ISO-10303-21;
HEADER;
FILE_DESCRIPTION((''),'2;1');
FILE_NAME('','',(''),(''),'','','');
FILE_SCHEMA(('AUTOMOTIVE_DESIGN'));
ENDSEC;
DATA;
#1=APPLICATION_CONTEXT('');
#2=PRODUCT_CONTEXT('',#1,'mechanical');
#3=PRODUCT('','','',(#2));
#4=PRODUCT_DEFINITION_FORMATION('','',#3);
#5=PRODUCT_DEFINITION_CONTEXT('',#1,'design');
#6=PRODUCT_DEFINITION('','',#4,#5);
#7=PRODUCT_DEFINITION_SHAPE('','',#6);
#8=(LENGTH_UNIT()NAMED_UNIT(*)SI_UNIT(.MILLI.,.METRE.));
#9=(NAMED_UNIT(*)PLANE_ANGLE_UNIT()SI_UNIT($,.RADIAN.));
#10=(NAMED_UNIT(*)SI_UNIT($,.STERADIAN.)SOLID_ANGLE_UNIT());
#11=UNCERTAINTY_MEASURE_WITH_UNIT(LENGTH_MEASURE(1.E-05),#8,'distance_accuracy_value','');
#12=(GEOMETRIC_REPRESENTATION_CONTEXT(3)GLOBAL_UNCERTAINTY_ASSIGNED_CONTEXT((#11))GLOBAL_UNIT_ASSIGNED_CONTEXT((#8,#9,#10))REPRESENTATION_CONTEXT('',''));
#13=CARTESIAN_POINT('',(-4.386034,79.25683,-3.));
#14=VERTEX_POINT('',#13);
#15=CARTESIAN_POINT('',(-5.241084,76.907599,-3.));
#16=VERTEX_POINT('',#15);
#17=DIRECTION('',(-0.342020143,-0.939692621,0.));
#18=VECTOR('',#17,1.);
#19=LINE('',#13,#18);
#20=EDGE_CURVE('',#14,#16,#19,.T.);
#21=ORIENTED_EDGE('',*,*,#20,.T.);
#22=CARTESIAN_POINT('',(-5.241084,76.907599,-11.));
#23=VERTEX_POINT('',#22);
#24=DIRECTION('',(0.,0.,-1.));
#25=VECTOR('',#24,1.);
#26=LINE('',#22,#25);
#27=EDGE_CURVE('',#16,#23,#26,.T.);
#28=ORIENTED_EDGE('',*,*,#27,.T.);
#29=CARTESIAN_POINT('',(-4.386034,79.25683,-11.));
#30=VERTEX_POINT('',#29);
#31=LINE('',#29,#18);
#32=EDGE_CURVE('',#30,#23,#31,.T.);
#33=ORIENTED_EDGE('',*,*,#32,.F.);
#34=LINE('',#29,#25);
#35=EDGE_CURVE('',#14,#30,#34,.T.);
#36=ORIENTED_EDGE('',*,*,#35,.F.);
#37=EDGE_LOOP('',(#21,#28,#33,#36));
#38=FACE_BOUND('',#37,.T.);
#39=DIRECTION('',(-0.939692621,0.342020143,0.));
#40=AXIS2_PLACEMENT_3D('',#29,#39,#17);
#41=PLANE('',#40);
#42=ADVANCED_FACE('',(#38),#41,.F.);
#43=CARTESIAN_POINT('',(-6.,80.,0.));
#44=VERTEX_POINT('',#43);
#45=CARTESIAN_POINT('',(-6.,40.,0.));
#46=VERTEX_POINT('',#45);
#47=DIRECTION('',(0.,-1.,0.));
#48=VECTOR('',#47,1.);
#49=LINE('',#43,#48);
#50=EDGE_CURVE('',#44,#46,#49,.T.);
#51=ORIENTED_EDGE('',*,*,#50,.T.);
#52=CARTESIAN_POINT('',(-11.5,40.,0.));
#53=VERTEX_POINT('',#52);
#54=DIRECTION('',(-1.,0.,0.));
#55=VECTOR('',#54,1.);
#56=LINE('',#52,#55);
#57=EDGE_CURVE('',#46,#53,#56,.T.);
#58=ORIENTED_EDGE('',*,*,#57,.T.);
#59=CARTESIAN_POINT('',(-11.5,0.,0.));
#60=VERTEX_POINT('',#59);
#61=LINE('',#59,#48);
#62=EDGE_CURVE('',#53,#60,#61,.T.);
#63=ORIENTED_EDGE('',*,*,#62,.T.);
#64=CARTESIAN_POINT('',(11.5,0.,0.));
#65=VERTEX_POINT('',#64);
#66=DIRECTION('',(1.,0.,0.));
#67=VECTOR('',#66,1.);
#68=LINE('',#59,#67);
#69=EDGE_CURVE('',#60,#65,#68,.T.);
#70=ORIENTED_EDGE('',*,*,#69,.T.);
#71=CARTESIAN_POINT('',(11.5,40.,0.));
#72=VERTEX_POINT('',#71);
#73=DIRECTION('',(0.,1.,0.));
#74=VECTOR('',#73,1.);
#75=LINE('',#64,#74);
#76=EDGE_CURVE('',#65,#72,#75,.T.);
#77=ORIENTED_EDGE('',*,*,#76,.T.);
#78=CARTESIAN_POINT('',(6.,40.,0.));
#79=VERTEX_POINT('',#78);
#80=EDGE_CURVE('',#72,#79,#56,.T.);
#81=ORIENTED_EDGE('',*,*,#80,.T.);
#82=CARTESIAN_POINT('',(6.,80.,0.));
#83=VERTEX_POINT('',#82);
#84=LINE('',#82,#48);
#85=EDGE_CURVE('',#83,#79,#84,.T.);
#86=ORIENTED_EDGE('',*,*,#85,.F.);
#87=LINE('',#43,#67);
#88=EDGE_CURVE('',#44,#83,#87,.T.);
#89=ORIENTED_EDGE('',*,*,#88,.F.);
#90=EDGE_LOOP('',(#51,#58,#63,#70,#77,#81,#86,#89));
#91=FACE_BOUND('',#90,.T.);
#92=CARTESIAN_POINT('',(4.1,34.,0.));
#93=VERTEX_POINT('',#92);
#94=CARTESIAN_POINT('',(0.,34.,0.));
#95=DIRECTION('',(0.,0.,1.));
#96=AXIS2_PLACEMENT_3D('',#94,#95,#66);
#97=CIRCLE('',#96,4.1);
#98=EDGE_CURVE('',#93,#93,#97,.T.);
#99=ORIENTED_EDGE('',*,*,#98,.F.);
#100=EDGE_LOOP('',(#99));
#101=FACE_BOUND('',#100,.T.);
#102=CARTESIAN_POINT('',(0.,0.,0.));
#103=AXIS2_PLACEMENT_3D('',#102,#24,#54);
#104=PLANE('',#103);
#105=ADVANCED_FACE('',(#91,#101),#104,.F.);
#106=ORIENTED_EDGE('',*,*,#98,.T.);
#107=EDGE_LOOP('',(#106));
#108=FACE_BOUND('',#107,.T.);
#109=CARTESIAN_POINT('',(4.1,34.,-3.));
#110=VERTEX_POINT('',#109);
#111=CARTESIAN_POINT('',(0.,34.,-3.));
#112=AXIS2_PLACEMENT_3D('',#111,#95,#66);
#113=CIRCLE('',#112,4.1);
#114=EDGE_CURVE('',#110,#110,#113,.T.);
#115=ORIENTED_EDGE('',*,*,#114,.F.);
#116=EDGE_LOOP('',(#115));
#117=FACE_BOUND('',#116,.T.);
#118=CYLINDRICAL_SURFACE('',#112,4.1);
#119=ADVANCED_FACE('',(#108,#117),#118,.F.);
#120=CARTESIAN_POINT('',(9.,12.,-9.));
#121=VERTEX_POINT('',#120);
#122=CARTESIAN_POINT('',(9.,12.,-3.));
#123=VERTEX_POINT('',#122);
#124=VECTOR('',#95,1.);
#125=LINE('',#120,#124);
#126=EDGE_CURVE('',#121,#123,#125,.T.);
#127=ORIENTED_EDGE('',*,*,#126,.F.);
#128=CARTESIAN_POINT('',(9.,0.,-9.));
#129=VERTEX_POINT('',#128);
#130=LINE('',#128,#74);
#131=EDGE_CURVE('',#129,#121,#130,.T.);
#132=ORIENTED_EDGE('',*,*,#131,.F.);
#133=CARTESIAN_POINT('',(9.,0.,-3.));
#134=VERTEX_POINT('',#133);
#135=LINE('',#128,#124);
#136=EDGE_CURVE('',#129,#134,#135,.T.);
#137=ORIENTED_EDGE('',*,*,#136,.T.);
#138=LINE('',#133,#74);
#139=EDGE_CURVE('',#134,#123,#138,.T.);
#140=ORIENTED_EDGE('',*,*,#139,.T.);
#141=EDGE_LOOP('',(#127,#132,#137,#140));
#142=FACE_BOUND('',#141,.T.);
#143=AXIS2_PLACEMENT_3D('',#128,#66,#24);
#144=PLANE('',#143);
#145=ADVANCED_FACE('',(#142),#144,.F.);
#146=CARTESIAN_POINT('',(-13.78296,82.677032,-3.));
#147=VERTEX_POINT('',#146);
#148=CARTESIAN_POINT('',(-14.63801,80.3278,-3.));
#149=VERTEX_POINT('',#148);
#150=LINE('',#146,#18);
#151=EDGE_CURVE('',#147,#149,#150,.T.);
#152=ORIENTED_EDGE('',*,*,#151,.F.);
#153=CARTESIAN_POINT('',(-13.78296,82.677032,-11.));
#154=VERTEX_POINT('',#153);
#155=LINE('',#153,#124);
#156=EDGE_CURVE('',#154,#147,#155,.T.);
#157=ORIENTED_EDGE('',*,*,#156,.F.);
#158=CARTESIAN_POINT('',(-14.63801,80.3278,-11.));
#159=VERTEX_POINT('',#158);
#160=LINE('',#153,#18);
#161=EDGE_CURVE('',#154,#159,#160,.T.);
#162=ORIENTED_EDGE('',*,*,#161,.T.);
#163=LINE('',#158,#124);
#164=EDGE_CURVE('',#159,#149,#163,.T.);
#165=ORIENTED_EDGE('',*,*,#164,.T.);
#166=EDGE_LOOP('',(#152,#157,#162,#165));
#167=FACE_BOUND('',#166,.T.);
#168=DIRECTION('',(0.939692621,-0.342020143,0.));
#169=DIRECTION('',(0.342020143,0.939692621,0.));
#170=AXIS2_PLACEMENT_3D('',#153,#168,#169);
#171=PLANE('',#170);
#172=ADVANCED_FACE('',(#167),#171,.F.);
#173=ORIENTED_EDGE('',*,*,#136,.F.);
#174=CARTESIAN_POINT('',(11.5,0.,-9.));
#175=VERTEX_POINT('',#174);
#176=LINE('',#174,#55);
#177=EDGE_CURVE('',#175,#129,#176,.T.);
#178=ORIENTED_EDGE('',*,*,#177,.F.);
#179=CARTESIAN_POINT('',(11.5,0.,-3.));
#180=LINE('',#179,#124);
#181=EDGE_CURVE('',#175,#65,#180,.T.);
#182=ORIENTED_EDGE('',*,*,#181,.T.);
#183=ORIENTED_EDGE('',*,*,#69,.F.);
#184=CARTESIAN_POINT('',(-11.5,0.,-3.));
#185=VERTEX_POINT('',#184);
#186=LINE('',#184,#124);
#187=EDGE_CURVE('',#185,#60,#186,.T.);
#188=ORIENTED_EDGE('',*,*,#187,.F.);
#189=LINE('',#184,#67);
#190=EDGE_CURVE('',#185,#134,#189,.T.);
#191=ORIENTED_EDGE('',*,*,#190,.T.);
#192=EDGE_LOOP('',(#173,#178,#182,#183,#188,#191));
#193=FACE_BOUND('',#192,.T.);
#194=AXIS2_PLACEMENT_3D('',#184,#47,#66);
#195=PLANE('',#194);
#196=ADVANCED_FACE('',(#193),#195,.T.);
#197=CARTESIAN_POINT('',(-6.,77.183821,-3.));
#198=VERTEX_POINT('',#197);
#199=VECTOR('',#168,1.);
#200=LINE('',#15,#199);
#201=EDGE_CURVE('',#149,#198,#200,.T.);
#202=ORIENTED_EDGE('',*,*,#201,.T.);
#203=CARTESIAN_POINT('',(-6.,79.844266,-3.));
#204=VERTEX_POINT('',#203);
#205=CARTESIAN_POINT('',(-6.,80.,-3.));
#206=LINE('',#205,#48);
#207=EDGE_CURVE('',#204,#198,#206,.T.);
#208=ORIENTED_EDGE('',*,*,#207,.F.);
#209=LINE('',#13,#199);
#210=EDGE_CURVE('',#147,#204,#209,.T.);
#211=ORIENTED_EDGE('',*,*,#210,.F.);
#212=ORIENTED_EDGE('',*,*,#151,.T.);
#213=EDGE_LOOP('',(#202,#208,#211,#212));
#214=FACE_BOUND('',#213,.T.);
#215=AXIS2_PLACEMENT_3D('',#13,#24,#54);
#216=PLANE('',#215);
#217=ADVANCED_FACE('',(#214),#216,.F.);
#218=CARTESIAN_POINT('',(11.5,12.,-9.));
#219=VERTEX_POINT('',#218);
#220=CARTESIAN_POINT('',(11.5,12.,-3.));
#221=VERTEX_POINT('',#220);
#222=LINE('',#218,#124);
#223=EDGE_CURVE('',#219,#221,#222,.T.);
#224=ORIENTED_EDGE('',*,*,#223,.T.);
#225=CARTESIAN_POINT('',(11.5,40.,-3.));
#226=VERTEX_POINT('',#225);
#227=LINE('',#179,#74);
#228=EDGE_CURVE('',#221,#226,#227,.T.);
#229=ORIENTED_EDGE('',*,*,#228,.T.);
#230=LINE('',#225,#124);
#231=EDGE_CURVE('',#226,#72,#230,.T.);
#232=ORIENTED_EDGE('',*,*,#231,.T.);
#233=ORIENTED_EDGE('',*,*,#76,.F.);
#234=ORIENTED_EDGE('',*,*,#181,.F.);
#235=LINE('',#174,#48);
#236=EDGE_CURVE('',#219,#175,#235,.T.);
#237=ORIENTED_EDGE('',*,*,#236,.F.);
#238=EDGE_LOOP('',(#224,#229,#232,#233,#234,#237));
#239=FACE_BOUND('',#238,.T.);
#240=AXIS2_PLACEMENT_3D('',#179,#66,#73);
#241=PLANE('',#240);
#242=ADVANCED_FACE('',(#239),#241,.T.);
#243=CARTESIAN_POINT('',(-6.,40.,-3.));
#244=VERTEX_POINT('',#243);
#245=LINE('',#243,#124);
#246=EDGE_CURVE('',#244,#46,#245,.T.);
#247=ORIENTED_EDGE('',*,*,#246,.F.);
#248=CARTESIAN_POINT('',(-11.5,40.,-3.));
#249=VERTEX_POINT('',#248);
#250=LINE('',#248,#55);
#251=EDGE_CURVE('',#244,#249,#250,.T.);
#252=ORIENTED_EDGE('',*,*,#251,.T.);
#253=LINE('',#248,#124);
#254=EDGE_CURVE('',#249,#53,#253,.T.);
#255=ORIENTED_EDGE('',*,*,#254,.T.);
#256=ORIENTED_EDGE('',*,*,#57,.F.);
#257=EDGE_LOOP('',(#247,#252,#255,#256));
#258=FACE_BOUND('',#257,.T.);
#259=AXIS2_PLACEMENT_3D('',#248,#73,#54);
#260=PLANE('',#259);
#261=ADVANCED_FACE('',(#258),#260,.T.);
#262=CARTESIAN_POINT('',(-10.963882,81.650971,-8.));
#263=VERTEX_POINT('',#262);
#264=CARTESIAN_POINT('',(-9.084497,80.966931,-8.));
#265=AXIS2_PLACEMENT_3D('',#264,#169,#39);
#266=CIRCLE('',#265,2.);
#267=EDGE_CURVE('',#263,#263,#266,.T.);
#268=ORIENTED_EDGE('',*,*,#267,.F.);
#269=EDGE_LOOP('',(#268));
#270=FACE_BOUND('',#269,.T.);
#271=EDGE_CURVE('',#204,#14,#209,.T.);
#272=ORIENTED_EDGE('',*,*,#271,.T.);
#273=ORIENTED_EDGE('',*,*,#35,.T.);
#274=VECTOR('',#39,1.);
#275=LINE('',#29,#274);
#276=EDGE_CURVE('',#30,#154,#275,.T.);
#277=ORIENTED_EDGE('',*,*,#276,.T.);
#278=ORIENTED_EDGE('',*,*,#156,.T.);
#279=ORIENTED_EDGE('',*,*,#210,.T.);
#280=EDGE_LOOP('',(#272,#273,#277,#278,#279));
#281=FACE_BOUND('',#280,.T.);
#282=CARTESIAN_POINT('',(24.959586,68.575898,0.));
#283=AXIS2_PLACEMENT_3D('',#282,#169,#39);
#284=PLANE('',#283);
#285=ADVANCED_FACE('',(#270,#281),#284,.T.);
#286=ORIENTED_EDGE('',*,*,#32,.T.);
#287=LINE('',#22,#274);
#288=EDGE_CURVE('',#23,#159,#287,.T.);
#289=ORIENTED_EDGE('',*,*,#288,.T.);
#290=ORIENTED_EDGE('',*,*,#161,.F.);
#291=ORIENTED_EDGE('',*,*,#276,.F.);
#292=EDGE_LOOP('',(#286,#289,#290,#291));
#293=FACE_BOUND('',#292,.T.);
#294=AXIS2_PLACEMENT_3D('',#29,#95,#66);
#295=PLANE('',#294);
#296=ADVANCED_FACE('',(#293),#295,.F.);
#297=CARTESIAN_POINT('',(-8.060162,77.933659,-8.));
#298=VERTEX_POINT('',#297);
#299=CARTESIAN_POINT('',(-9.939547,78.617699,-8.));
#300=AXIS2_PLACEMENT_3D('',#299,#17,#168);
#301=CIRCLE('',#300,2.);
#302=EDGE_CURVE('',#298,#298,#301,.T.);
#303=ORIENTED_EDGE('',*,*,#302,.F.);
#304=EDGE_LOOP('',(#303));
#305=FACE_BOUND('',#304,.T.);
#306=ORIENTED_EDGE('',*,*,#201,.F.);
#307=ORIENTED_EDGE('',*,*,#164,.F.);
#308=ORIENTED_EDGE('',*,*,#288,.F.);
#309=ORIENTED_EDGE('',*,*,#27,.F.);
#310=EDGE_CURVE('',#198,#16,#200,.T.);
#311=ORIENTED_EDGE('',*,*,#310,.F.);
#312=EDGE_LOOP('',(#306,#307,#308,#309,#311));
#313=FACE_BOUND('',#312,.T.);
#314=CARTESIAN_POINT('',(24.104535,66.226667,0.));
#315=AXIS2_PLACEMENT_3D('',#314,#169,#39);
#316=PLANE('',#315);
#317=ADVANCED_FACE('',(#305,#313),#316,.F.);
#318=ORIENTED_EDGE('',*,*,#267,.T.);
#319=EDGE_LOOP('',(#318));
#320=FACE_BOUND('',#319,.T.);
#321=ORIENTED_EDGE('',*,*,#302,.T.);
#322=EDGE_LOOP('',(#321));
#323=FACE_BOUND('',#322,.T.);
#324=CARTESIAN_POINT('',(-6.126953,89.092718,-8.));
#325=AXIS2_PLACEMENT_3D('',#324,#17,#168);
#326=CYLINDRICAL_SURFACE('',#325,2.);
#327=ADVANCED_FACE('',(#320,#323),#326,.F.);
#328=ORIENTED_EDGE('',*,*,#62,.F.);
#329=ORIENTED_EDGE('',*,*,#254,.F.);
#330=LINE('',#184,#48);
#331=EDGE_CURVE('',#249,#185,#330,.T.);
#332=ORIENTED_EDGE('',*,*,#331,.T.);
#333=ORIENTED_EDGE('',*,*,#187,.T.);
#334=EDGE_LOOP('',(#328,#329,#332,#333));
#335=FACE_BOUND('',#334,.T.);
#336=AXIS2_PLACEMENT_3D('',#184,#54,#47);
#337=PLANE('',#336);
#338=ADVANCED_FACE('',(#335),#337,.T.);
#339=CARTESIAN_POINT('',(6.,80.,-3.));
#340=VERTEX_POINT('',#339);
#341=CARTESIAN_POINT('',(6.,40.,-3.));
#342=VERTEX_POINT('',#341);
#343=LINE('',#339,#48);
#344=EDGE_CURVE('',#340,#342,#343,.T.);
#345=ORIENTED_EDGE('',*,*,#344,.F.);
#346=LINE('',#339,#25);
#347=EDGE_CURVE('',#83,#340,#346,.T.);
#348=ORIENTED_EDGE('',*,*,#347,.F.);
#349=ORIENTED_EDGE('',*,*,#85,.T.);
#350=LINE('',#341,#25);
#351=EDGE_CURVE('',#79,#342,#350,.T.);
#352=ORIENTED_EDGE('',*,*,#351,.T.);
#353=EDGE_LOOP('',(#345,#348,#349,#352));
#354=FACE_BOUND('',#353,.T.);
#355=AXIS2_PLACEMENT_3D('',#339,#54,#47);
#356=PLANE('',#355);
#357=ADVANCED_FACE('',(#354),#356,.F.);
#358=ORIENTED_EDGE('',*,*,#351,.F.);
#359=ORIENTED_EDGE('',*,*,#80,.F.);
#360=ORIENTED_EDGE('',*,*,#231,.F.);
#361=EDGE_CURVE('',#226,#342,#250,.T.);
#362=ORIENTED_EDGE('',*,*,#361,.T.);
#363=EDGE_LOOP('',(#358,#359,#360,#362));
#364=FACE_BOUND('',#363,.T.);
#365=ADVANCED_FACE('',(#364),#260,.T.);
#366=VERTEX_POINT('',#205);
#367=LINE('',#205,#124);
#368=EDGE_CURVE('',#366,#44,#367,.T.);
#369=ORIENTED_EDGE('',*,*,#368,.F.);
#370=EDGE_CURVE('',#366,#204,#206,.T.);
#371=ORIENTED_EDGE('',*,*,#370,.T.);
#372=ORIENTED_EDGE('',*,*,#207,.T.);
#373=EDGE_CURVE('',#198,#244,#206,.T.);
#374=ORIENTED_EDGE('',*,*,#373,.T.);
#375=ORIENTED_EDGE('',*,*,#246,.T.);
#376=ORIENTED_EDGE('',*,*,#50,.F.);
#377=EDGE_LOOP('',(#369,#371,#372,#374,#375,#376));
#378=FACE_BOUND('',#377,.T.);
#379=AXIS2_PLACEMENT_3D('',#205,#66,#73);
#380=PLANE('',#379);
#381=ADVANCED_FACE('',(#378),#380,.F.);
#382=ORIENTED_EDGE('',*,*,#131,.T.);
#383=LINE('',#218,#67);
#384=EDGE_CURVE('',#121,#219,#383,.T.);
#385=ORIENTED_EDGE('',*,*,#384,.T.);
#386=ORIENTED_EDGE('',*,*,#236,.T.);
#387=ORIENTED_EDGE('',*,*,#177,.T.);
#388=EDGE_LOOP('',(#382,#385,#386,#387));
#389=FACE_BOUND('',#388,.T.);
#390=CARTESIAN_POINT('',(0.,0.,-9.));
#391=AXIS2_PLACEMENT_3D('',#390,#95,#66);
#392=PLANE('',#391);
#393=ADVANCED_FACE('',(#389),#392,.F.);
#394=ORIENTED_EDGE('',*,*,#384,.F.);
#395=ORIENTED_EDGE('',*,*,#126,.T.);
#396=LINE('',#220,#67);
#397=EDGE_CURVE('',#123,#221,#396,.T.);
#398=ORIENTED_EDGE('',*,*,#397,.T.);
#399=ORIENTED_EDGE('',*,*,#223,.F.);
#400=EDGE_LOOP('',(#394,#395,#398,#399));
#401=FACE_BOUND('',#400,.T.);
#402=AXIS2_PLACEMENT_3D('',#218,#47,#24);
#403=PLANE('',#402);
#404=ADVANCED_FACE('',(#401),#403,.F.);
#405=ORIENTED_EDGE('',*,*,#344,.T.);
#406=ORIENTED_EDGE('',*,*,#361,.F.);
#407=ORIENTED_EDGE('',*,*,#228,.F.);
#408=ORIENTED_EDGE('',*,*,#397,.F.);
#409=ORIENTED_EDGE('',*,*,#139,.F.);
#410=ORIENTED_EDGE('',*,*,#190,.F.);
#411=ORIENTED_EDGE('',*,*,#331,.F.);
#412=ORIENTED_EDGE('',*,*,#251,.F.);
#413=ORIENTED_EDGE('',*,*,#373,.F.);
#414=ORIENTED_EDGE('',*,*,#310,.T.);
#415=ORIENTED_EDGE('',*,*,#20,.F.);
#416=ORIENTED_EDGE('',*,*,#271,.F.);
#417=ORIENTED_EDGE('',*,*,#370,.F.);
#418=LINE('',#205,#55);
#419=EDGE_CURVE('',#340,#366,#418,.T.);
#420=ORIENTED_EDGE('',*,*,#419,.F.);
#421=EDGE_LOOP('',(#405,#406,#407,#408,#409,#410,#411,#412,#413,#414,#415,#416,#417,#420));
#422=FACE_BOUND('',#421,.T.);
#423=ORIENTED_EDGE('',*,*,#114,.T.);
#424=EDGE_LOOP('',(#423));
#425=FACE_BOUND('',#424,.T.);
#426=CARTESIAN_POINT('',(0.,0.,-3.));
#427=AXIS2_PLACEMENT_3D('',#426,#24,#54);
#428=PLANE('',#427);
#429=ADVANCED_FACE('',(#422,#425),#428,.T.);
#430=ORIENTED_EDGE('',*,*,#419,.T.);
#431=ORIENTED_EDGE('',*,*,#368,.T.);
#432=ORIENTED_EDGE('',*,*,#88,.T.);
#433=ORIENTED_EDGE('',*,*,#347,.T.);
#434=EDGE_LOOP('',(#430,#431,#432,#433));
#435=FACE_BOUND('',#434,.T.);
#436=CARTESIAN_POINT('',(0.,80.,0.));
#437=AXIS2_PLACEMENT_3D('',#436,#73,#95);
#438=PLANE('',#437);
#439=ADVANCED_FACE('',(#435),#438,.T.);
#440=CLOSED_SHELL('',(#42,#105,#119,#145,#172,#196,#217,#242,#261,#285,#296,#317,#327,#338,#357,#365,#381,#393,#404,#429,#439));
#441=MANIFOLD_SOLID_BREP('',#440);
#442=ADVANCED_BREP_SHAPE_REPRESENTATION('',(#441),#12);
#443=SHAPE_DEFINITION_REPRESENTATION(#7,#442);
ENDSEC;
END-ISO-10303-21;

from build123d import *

# Parameters (mm, degrees)
SKETCH1_W           = 23
SKETCH1_H           = 40
BOSS_EXTRUDE1_DEPTH = 3
SKETCH2_R           = 4.1
CUT_EXTRUDE1_DEPTH  = 3
SKETCH3_W           = 12
SKETCH3_H           = 3
BOSS_EXTRUDE2_DEPTH = 40
SKETCH4_W           = 2.5
SKETCH4_H           = 12
BOSS_EXTRUDE3_DEPTH = 6
SKETCH6_W           = 8
SKETCH6_H           = 10
BOSS_EXTRUDE4_DEPTH = 2.5
SKETCH7_R           = 2
CUT_EXTRUDE2_DEPTH  = 78.511007161


with BuildPart() as part:
    # Sketch1 → Boss-Extrude1 (new body)
    with BuildSketch(Plane.XY):
        with Locations((0, 20)):
            Rectangle(SKETCH1_W, SKETCH1_H)
    extrude(amount=-BOSS_EXTRUDE1_DEPTH)

    # Sketch2 → Cut-Extrude1 (cut)
    with BuildSketch(Plane.XY):
        with Locations((0, 34)):
            Circle(SKETCH2_R)
    extrude(amount=-CUT_EXTRUDE1_DEPTH, mode=Mode.SUBTRACT)

    # Sketch3 → Boss-Extrude2 (add)
    with BuildSketch(Plane(origin=(0, 40, 0), x_dir=(1, 0, 0), z_dir=(0, 1, 0))):
        with Locations((0, 1.5)):
            Rectangle(SKETCH3_W, SKETCH3_H)
    extrude(amount=BOSS_EXTRUDE2_DEPTH)

    # Sketch4 → Boss-Extrude3 (add)
    with BuildSketch(Plane(origin=(0, 0, -3), x_dir=(-1, 0, 0), z_dir=(0, 0, -1))):
        with Locations((-10.25, 6)):
            Rectangle(SKETCH4_W, SKETCH4_H)
    extrude(amount=BOSS_EXTRUDE3_DEPTH)

    # Sketch6 → Boss-Extrude4 (add)
    with BuildSketch(Plane(origin=(24.104535363, 66.226666617, 0), x_dir=(0, 0, -1), z_dir=(0.34202014332566943, 0.9396926207859081, 0))):
        with Locations((7, 36.228956157)):
            Rectangle(SKETCH6_W, SKETCH6_H)
    extrude(amount=BOSS_EXTRUDE4_DEPTH)

    # Sketch7 → Cut-Extrude2 (cut, through all)
    with BuildSketch(Plane(origin=(24.104535363, 66.226666617, 0), x_dir=(0.9396926207859078, -0.3420201433256706, 0), z_dir=(-0.3420201433256706, -0.9396926207859078, 0))):
        with Locations((-36.228956157, -8)):
            Circle(SKETCH7_R)
    extrude(amount=-CUT_EXTRUDE2_DEPTH, mode=Mode.SUBTRACT)


solid = part.part
